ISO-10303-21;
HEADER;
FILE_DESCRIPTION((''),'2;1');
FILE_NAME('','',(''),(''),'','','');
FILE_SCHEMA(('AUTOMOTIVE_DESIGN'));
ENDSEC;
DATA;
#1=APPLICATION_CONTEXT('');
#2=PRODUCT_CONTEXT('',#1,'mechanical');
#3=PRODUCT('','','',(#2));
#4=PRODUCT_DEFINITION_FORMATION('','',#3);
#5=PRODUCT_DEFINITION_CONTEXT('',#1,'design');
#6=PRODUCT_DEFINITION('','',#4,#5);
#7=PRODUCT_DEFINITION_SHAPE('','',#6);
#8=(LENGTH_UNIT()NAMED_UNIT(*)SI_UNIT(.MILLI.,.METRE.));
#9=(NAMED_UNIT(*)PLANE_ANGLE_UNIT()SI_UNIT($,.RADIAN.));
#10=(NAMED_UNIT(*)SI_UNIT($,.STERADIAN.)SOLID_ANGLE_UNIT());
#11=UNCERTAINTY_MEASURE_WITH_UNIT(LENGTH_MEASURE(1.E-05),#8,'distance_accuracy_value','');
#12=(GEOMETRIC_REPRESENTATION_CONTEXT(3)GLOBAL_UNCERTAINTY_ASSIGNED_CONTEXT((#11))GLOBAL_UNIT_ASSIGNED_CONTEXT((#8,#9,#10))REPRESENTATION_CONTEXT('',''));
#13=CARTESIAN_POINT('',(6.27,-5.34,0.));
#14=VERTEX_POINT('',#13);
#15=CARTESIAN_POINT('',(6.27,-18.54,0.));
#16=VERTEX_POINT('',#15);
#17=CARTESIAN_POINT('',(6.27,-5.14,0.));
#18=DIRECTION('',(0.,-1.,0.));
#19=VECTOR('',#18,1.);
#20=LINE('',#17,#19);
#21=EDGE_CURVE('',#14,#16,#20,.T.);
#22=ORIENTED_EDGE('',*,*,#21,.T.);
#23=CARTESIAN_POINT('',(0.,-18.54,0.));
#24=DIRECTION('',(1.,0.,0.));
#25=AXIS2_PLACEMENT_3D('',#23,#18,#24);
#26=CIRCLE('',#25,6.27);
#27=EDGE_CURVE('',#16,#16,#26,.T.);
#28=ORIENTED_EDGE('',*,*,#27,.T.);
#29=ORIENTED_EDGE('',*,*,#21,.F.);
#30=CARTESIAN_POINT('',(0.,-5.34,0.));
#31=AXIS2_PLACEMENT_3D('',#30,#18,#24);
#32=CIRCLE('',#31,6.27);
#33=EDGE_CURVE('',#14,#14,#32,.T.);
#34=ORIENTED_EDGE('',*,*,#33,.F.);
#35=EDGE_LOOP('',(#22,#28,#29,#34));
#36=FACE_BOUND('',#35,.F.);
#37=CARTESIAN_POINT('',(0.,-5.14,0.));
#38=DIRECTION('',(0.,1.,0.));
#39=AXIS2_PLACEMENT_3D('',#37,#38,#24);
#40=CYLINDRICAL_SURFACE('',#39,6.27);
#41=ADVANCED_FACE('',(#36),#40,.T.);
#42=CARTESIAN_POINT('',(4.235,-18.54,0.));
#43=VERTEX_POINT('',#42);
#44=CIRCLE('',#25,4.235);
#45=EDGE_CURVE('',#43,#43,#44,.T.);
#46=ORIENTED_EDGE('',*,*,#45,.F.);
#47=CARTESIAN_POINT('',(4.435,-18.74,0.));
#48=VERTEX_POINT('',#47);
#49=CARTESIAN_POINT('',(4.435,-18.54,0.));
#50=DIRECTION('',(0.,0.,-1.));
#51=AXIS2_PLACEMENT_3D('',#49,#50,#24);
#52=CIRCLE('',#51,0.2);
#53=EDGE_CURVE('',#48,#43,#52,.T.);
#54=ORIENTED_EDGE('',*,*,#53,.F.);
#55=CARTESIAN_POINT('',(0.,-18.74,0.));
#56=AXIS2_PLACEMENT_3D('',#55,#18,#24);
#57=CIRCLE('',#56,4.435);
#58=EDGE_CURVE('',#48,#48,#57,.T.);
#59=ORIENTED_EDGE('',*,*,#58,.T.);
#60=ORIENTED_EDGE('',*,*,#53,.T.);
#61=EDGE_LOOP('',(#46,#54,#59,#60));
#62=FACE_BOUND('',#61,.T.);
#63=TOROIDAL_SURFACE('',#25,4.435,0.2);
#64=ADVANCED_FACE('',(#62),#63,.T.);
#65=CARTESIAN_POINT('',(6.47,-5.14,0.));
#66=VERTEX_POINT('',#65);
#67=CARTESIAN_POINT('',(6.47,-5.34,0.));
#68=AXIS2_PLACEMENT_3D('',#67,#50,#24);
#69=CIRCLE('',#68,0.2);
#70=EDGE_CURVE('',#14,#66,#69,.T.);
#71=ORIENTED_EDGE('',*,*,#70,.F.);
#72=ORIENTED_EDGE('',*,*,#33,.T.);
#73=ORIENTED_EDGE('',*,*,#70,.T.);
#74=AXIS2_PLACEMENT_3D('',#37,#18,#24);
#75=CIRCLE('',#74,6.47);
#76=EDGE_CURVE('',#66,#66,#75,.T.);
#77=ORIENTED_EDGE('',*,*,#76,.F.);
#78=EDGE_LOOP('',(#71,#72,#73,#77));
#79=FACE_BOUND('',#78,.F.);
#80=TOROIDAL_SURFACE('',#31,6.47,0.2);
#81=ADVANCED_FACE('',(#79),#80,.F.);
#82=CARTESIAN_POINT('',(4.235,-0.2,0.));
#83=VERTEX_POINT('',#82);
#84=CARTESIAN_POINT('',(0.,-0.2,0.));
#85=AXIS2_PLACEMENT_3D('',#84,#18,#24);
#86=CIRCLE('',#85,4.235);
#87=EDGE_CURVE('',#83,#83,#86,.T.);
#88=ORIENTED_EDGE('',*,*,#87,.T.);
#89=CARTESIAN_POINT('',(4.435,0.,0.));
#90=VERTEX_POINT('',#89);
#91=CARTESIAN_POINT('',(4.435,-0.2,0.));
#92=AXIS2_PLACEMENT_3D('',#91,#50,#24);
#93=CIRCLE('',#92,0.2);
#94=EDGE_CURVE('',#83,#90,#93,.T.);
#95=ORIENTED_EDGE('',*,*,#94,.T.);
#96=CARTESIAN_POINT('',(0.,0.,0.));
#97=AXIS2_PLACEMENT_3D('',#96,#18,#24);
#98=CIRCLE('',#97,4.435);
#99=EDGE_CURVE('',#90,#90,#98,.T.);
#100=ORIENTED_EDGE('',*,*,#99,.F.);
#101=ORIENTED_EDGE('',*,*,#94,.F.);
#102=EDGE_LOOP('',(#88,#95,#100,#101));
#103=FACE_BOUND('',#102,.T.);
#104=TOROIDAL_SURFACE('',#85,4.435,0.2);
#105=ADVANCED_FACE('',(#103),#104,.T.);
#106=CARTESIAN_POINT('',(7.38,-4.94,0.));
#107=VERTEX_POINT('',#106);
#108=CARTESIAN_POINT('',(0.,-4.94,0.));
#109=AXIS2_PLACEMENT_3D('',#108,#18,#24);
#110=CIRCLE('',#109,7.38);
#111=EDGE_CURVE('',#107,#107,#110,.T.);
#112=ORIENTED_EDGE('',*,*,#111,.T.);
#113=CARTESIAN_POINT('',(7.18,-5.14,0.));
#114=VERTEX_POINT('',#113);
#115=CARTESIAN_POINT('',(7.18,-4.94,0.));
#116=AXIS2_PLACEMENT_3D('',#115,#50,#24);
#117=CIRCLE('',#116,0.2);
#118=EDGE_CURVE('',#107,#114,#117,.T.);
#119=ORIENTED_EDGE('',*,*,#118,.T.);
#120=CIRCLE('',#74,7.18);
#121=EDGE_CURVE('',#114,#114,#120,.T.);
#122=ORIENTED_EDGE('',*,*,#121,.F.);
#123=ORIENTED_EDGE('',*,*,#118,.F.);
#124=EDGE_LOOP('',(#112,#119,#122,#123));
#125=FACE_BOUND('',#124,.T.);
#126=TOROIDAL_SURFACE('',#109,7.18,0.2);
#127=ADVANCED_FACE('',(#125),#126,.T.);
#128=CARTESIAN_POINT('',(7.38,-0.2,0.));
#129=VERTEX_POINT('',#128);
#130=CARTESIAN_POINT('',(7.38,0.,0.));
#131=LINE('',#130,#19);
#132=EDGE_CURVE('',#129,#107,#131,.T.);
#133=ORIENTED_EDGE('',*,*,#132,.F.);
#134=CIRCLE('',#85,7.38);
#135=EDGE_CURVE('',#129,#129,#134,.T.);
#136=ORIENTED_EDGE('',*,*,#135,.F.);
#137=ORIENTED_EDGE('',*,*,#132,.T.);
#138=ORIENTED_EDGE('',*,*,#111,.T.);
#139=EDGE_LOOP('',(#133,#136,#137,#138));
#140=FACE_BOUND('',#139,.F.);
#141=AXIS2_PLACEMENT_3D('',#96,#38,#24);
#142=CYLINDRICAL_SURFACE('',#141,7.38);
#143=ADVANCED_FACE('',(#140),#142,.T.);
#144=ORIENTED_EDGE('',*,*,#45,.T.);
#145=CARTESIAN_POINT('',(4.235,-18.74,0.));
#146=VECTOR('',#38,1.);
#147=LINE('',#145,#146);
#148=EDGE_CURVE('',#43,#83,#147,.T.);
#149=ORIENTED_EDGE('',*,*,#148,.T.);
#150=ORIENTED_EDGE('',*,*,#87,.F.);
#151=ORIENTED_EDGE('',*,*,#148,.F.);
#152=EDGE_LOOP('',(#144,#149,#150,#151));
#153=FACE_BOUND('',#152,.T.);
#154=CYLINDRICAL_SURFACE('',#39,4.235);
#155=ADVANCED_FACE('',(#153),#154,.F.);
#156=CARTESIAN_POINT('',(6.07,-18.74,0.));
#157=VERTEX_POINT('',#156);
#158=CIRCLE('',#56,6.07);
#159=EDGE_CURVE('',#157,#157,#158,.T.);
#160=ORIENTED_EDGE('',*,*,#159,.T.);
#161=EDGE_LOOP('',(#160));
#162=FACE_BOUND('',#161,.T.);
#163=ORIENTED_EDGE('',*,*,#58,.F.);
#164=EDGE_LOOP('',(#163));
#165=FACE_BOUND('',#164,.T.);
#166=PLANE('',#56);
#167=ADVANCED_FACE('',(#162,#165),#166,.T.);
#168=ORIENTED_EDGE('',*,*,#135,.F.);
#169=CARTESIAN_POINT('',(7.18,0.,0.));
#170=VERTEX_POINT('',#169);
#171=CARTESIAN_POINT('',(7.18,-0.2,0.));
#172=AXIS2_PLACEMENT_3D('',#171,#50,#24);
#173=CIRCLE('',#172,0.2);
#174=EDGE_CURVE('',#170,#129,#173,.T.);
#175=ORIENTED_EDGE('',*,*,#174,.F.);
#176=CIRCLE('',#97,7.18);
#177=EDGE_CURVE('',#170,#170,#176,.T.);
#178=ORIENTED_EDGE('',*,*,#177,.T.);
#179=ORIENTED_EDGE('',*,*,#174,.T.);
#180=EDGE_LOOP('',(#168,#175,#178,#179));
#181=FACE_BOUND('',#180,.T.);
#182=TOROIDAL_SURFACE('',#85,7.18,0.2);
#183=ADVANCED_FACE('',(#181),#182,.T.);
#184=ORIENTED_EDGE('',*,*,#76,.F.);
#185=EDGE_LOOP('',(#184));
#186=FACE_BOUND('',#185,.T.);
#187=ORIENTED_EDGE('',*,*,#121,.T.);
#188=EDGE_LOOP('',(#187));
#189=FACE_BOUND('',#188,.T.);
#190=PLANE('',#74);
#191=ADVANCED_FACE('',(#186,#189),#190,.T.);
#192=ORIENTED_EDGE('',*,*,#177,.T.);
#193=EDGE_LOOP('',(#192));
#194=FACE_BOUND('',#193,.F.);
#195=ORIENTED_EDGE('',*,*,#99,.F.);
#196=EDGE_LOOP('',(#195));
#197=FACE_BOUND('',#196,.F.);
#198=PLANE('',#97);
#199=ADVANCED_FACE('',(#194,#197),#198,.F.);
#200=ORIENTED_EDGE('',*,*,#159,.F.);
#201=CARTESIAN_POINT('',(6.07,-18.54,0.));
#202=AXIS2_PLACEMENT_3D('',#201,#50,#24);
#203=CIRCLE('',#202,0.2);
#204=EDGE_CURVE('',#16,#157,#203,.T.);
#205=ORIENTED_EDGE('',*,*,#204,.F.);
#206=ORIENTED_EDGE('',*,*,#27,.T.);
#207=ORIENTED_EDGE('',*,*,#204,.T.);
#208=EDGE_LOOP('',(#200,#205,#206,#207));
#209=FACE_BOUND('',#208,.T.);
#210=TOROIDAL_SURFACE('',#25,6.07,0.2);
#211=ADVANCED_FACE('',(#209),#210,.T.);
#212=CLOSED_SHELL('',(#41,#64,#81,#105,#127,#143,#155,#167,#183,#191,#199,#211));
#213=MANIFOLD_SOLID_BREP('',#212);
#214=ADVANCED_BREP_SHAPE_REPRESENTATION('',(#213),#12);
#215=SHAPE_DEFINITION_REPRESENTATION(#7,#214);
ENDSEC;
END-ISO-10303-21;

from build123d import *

# Parameters (mm, degrees)
F0_R     = 7.38
F0_R_2   = 4.235
F1_DEPTH = 5.14
F2_R     = 6.27
F2_R_2   = 4.235
F3_DEPTH = 13.6
F4_R     = 0.2


with BuildPart() as f1:
    # F0 (on Front) → F1 (new body)
    with BuildSketch(Plane.XZ):
        Circle(F0_R)
        Circle(F0_R_2, mode=Mode.SUBTRACT)
    extrude(amount=F1_DEPTH)

    # F2 (on face) → F3 (join)
    with BuildSketch(Plane.XZ.offset(5.14)):
        Circle(F2_R)
        Circle(F2_R_2, mode=Mode.SUBTRACT)
    extrude(amount=F3_DEPTH)

    # F4
    f4_edges = [f1.edges().sort_by_distance(p)[0] for p in [
        (-6.27, -18.74, 0),
        (-7.38, -5.14, 0),
        (-7.38, 0, 0),
        (-4.235, -18.74, 0),
        (-6.27, -5.14, 0),
        (-4.235, 0, 0),
    ]]
    fillet(f4_edges, radius=F4_R)


solid = f1.part
